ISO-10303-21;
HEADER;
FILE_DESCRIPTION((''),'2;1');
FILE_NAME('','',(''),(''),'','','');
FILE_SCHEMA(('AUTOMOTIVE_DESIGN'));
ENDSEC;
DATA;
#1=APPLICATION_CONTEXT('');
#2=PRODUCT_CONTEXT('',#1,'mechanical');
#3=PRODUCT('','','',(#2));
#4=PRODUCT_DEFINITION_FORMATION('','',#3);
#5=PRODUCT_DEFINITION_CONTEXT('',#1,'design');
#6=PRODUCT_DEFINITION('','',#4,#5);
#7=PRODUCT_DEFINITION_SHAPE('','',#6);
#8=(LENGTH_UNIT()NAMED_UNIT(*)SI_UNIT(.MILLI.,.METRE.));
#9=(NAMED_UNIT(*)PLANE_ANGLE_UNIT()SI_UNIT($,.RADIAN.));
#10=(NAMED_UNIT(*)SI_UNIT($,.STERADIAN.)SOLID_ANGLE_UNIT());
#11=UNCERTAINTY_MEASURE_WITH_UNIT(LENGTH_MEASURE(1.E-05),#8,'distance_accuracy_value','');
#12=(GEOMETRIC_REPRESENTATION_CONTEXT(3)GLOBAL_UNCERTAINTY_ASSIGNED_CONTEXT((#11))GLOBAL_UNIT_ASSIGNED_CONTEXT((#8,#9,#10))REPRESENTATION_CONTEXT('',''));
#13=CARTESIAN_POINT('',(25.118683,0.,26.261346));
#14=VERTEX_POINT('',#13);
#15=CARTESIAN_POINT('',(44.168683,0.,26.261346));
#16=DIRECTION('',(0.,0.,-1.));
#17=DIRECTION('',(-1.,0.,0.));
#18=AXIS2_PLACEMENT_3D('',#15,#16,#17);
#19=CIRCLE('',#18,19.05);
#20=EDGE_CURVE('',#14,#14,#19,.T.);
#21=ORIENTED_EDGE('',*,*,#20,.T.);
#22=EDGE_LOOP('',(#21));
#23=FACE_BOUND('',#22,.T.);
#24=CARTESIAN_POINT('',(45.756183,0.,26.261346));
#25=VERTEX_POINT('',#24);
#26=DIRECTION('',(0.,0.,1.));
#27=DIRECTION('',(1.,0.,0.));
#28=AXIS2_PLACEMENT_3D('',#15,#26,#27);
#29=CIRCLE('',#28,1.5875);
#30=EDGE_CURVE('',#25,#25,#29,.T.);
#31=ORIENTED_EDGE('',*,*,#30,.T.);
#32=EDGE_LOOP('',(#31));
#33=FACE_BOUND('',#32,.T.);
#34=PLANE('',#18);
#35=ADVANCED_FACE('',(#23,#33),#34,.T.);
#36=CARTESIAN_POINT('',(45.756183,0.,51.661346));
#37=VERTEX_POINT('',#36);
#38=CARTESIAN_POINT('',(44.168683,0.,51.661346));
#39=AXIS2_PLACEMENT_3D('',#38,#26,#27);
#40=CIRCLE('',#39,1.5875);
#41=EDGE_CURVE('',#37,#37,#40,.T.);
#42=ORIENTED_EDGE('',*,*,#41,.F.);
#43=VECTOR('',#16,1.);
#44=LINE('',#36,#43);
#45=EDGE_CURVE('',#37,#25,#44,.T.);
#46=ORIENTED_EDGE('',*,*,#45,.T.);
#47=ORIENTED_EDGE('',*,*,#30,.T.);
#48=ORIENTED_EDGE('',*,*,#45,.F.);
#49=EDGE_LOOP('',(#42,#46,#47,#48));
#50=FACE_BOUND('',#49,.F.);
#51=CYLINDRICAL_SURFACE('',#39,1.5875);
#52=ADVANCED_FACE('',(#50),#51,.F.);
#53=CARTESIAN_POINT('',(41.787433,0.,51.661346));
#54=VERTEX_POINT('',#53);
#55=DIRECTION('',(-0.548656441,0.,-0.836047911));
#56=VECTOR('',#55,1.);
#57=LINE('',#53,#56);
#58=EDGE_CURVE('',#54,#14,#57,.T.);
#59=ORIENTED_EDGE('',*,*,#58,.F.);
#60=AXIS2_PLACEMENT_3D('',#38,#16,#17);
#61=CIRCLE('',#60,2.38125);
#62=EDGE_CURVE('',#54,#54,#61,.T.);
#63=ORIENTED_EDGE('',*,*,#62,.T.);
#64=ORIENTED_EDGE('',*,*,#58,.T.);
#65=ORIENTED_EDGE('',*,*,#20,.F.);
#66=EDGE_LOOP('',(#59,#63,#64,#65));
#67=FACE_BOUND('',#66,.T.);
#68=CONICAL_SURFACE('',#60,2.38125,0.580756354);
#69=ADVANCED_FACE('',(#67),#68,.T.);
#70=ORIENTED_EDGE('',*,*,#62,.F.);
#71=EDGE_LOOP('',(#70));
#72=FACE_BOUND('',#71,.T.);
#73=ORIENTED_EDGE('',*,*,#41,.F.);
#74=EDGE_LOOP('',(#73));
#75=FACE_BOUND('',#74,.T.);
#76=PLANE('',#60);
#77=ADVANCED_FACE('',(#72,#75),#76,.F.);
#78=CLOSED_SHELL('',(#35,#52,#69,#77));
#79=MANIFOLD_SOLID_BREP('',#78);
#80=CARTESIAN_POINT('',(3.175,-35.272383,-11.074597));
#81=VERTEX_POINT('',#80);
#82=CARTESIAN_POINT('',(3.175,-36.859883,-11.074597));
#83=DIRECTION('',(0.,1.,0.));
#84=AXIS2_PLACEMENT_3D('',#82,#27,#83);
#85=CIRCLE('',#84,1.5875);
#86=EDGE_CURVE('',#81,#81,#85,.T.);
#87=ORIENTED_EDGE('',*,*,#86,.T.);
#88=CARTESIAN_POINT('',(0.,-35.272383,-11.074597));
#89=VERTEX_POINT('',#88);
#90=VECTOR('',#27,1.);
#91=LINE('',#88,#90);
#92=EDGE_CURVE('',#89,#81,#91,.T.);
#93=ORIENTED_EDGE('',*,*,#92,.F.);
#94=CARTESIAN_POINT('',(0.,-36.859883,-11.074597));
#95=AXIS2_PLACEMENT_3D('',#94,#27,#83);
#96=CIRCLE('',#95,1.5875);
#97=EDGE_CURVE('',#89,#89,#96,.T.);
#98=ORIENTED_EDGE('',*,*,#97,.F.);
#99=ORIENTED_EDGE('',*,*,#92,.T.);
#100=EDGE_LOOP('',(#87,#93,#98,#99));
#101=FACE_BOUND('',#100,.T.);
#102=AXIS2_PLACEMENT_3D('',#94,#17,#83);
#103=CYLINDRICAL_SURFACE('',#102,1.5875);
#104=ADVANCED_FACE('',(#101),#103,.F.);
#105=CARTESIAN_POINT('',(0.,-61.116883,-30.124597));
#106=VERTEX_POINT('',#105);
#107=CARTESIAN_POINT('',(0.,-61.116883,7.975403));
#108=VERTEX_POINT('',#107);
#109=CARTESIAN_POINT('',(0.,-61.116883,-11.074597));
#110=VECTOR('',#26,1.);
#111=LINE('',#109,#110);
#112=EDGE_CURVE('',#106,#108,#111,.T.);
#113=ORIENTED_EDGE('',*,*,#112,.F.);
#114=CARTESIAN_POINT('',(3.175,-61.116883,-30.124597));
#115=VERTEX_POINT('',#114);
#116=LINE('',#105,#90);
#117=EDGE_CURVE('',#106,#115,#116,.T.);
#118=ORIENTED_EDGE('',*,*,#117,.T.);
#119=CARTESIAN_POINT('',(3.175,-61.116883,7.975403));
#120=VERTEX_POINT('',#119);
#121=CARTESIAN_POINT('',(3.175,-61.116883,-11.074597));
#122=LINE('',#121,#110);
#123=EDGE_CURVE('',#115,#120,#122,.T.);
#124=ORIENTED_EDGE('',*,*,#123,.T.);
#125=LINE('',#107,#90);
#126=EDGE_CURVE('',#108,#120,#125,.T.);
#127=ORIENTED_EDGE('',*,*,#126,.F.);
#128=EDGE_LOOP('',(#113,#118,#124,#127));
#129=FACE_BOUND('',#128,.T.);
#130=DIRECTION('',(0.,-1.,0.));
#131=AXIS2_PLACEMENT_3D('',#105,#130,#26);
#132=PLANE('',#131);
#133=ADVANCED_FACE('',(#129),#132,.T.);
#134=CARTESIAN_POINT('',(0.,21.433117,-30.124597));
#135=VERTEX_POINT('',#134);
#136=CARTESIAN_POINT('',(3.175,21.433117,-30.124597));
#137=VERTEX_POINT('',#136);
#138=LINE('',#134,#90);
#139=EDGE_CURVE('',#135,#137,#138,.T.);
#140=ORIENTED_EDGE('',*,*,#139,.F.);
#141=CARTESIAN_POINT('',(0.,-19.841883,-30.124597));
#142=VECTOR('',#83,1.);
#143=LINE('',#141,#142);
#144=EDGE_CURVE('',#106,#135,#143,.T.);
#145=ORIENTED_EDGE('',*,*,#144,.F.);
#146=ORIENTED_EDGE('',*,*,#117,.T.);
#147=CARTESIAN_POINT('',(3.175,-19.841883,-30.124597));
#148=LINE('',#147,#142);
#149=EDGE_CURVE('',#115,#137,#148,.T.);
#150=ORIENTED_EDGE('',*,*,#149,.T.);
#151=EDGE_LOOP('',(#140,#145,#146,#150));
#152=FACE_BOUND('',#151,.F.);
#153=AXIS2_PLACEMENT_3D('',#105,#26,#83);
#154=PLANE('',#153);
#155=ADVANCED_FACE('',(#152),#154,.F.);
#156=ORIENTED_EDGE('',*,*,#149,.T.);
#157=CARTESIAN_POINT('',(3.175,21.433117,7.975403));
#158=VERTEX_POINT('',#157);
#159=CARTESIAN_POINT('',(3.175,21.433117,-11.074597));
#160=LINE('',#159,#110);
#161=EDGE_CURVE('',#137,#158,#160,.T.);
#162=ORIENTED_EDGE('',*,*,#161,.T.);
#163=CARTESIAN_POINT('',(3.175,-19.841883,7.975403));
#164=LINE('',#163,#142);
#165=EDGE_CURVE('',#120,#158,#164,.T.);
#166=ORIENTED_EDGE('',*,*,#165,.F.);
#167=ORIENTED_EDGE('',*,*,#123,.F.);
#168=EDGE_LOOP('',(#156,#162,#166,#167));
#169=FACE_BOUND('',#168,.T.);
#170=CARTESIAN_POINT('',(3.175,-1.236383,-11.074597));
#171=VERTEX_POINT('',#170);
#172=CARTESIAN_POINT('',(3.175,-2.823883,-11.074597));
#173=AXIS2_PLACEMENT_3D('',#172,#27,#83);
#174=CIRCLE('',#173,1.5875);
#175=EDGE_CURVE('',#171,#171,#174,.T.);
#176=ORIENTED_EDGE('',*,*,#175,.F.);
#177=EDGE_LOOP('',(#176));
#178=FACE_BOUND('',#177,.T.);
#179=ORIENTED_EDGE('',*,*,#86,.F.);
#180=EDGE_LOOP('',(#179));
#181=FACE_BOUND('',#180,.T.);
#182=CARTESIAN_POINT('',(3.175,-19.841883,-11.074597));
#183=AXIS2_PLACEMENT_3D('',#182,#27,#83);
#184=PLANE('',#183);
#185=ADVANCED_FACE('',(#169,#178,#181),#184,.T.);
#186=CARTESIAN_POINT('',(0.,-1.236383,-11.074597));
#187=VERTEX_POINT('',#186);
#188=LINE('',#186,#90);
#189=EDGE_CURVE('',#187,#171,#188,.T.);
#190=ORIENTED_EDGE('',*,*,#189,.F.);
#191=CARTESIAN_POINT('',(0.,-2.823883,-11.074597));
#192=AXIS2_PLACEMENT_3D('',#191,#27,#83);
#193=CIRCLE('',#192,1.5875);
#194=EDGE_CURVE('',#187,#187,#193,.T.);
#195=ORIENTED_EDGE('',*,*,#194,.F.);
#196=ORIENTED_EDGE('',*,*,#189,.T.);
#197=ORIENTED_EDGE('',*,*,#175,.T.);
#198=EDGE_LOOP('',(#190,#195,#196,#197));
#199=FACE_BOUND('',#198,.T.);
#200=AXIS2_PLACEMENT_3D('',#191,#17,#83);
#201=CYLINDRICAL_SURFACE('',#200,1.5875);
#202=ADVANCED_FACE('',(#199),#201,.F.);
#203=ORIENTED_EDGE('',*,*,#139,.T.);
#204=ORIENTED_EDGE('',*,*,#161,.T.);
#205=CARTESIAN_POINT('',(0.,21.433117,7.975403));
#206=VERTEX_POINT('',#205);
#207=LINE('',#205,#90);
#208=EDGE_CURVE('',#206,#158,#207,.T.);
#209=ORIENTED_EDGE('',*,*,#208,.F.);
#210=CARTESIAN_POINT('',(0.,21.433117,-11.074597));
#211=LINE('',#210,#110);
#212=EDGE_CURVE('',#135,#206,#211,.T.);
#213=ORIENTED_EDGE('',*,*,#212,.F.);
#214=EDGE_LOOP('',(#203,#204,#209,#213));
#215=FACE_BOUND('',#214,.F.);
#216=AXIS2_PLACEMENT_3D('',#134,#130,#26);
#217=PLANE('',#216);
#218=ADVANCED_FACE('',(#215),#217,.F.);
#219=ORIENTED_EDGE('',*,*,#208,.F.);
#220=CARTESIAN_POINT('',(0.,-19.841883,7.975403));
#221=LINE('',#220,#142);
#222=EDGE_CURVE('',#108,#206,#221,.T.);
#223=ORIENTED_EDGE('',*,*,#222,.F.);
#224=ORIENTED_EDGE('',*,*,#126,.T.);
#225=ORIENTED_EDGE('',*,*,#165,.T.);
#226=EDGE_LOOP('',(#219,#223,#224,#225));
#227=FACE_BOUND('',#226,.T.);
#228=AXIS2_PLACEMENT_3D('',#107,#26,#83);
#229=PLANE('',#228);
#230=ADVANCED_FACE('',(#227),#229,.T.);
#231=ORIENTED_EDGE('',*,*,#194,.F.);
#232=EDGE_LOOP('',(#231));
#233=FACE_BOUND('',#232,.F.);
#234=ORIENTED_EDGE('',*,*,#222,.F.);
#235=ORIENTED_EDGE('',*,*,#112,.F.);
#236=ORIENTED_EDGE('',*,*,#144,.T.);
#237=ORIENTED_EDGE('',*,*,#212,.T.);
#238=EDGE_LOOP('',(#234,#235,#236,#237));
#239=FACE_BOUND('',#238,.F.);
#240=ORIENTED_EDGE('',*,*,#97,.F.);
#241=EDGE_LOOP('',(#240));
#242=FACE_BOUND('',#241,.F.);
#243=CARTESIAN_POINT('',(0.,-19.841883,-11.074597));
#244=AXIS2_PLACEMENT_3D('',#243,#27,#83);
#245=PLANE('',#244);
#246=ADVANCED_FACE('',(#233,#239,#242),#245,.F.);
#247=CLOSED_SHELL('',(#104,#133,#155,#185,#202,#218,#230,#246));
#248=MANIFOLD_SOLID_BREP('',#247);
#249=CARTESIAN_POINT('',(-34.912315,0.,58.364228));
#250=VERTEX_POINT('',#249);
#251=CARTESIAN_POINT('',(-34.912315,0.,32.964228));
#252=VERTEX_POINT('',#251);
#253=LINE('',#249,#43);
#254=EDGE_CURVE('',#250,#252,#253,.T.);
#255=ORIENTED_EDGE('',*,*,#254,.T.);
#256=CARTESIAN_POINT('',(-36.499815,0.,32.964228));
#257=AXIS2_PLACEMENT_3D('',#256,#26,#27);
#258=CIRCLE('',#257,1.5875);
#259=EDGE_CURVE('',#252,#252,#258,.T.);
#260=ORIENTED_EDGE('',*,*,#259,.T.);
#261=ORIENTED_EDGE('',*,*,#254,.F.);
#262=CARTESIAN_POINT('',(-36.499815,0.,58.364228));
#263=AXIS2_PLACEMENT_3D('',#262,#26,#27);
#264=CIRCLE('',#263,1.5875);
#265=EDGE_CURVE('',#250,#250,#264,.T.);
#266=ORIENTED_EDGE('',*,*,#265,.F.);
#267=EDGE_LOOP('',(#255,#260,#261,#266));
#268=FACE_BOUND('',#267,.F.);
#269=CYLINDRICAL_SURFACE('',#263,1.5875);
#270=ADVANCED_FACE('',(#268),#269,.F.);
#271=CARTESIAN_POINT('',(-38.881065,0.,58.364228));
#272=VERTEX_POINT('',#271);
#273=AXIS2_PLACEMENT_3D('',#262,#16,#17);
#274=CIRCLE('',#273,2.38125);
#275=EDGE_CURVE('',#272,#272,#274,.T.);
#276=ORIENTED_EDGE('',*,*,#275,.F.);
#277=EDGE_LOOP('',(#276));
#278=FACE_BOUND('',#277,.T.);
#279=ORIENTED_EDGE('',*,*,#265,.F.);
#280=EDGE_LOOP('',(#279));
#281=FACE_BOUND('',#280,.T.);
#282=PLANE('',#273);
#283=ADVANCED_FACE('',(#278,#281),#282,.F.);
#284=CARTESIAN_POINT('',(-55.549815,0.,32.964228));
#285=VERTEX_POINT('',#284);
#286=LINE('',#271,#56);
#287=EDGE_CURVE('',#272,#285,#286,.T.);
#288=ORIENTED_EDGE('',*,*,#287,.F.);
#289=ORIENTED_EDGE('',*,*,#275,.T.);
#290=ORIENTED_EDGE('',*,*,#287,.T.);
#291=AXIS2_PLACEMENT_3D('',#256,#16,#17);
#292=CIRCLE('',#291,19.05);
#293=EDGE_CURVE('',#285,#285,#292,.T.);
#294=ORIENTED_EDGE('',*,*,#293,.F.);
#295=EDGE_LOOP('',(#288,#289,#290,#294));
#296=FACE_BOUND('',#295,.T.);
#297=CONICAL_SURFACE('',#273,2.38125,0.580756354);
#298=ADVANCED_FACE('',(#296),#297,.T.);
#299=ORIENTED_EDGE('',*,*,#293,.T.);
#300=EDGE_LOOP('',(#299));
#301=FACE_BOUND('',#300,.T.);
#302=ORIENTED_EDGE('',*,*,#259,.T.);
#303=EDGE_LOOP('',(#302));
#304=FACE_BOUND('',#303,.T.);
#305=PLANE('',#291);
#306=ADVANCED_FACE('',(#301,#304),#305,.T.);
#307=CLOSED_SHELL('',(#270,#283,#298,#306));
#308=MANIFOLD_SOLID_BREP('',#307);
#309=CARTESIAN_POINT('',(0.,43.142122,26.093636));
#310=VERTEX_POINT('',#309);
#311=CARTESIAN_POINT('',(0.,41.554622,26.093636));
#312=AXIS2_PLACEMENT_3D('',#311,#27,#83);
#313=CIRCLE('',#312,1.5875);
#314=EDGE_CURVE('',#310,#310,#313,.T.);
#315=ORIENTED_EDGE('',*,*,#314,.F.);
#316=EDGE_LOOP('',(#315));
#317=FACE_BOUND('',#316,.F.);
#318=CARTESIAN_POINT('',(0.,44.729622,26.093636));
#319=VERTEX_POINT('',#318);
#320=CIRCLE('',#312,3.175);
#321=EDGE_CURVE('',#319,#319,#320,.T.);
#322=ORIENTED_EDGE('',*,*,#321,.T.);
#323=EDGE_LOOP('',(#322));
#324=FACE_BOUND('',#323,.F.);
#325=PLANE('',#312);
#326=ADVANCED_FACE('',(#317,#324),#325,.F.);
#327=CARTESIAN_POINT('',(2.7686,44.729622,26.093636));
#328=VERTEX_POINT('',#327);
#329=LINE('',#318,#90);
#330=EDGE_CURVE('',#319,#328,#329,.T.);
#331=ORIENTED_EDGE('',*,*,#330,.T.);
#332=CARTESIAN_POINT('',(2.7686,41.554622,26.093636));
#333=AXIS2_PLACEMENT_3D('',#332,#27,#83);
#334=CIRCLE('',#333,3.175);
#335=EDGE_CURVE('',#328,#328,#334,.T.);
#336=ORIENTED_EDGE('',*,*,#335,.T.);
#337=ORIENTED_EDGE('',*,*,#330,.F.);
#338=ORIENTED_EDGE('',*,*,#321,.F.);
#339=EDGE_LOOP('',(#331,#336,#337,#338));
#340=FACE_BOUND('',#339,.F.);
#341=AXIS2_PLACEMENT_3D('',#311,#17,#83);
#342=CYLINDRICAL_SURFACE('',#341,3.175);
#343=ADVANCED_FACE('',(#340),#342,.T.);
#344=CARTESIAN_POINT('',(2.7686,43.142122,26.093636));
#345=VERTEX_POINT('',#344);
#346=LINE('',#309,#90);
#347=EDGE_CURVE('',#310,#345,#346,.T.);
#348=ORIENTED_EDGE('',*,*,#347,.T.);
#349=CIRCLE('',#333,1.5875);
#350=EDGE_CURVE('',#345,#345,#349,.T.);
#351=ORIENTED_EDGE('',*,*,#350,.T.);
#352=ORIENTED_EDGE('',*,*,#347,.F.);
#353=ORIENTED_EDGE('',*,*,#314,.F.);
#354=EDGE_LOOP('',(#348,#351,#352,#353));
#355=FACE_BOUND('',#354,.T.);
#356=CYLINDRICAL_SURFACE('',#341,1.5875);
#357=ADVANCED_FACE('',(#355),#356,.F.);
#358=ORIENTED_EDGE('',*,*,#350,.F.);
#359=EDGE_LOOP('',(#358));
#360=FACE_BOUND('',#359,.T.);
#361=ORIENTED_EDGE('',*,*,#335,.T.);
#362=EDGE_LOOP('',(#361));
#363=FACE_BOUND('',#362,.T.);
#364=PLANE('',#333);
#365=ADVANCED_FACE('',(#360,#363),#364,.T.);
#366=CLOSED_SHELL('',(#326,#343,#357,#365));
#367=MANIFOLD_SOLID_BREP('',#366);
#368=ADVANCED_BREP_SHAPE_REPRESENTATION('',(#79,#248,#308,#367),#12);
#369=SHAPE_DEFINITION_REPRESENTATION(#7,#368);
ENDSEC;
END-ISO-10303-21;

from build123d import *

# Parameters (mm, degrees)
F3_R      = 1.5875
F4_DEPTH  = 25.908
F5_R      = 1.5875
F6_DEPTH  = 25.4
F7_R      = 3.175
F7_R_2    = 1.5875
F8_DEPTH  = 2.7686
F9_W      = 82.55
F9_H      = 38.1
F9_R      = 1.5875
F10_DEPTH = 3.175


with BuildPart() as f1:
    # F0 (on Front) → F1 (revolve)
    with BuildSketch(Plane.XZ):
        Polygon((-36.499815, 58.364228), (-38.881065, 58.364228), (-55.549815, 32.964228), (-36.499815, 32.964228), align=None)
    revolve(axis=Axis((-36.499815, 0, 45.664228), (0, 0, -1)))

    # F3 (on face) → F4 (cut)
    with BuildSketch(Plane.XY.offset(58.364228)):
        with Locations((-36.499815, 0)):
            Circle(F3_R)
    extrude(amount=-F4_DEPTH, mode=Mode.SUBTRACT)


with BuildPart() as f2:
    # F0 (on Front) → F2 (revolve)
    with BuildSketch(Plane.XZ):
        Polygon((44.168683, 26.261346), (44.168683, 51.661346), (41.787433, 51.661346), (25.118683, 26.261346), align=None)
    revolve(axis=Axis((44.168683, 0, 38.961346), (0, 0, -1)))

    # F5 (on face) → F6 (cut)
    with BuildSketch(Plane.XY.offset(51.661346)):
        with Locations((44.168683, 0)):
            Circle(F5_R)
    extrude(amount=-F6_DEPTH, mode=Mode.SUBTRACT)


with BuildPart() as f8:
    # F7 (on Right) → F8 (new body)
    with BuildSketch(Plane.YZ):
        with Locations((41.554622, 26.093636)):
            Circle(F7_R)
        with Locations((41.554622, 26.093636)):
            Circle(F7_R_2, mode=Mode.SUBTRACT)
    extrude(amount=F8_DEPTH)


with BuildPart() as f10:
    # F9 (on Right) → F10 (new body)
    with BuildSketch(Plane.YZ):
        with Locations((-19.841883, -11.074597)):
            Rectangle(F9_W, F9_H)
        with Locations((-36.859883, -11.074597)):
            Circle(F9_R, mode=Mode.SUBTRACT)
        with Locations((-2.823883, -11.074597)):
            Circle(F9_R, mode=Mode.SUBTRACT)
    extrude(amount=F10_DEPTH)


solid = Compound([f1.part, f2.part, f8.part, f10.part])
